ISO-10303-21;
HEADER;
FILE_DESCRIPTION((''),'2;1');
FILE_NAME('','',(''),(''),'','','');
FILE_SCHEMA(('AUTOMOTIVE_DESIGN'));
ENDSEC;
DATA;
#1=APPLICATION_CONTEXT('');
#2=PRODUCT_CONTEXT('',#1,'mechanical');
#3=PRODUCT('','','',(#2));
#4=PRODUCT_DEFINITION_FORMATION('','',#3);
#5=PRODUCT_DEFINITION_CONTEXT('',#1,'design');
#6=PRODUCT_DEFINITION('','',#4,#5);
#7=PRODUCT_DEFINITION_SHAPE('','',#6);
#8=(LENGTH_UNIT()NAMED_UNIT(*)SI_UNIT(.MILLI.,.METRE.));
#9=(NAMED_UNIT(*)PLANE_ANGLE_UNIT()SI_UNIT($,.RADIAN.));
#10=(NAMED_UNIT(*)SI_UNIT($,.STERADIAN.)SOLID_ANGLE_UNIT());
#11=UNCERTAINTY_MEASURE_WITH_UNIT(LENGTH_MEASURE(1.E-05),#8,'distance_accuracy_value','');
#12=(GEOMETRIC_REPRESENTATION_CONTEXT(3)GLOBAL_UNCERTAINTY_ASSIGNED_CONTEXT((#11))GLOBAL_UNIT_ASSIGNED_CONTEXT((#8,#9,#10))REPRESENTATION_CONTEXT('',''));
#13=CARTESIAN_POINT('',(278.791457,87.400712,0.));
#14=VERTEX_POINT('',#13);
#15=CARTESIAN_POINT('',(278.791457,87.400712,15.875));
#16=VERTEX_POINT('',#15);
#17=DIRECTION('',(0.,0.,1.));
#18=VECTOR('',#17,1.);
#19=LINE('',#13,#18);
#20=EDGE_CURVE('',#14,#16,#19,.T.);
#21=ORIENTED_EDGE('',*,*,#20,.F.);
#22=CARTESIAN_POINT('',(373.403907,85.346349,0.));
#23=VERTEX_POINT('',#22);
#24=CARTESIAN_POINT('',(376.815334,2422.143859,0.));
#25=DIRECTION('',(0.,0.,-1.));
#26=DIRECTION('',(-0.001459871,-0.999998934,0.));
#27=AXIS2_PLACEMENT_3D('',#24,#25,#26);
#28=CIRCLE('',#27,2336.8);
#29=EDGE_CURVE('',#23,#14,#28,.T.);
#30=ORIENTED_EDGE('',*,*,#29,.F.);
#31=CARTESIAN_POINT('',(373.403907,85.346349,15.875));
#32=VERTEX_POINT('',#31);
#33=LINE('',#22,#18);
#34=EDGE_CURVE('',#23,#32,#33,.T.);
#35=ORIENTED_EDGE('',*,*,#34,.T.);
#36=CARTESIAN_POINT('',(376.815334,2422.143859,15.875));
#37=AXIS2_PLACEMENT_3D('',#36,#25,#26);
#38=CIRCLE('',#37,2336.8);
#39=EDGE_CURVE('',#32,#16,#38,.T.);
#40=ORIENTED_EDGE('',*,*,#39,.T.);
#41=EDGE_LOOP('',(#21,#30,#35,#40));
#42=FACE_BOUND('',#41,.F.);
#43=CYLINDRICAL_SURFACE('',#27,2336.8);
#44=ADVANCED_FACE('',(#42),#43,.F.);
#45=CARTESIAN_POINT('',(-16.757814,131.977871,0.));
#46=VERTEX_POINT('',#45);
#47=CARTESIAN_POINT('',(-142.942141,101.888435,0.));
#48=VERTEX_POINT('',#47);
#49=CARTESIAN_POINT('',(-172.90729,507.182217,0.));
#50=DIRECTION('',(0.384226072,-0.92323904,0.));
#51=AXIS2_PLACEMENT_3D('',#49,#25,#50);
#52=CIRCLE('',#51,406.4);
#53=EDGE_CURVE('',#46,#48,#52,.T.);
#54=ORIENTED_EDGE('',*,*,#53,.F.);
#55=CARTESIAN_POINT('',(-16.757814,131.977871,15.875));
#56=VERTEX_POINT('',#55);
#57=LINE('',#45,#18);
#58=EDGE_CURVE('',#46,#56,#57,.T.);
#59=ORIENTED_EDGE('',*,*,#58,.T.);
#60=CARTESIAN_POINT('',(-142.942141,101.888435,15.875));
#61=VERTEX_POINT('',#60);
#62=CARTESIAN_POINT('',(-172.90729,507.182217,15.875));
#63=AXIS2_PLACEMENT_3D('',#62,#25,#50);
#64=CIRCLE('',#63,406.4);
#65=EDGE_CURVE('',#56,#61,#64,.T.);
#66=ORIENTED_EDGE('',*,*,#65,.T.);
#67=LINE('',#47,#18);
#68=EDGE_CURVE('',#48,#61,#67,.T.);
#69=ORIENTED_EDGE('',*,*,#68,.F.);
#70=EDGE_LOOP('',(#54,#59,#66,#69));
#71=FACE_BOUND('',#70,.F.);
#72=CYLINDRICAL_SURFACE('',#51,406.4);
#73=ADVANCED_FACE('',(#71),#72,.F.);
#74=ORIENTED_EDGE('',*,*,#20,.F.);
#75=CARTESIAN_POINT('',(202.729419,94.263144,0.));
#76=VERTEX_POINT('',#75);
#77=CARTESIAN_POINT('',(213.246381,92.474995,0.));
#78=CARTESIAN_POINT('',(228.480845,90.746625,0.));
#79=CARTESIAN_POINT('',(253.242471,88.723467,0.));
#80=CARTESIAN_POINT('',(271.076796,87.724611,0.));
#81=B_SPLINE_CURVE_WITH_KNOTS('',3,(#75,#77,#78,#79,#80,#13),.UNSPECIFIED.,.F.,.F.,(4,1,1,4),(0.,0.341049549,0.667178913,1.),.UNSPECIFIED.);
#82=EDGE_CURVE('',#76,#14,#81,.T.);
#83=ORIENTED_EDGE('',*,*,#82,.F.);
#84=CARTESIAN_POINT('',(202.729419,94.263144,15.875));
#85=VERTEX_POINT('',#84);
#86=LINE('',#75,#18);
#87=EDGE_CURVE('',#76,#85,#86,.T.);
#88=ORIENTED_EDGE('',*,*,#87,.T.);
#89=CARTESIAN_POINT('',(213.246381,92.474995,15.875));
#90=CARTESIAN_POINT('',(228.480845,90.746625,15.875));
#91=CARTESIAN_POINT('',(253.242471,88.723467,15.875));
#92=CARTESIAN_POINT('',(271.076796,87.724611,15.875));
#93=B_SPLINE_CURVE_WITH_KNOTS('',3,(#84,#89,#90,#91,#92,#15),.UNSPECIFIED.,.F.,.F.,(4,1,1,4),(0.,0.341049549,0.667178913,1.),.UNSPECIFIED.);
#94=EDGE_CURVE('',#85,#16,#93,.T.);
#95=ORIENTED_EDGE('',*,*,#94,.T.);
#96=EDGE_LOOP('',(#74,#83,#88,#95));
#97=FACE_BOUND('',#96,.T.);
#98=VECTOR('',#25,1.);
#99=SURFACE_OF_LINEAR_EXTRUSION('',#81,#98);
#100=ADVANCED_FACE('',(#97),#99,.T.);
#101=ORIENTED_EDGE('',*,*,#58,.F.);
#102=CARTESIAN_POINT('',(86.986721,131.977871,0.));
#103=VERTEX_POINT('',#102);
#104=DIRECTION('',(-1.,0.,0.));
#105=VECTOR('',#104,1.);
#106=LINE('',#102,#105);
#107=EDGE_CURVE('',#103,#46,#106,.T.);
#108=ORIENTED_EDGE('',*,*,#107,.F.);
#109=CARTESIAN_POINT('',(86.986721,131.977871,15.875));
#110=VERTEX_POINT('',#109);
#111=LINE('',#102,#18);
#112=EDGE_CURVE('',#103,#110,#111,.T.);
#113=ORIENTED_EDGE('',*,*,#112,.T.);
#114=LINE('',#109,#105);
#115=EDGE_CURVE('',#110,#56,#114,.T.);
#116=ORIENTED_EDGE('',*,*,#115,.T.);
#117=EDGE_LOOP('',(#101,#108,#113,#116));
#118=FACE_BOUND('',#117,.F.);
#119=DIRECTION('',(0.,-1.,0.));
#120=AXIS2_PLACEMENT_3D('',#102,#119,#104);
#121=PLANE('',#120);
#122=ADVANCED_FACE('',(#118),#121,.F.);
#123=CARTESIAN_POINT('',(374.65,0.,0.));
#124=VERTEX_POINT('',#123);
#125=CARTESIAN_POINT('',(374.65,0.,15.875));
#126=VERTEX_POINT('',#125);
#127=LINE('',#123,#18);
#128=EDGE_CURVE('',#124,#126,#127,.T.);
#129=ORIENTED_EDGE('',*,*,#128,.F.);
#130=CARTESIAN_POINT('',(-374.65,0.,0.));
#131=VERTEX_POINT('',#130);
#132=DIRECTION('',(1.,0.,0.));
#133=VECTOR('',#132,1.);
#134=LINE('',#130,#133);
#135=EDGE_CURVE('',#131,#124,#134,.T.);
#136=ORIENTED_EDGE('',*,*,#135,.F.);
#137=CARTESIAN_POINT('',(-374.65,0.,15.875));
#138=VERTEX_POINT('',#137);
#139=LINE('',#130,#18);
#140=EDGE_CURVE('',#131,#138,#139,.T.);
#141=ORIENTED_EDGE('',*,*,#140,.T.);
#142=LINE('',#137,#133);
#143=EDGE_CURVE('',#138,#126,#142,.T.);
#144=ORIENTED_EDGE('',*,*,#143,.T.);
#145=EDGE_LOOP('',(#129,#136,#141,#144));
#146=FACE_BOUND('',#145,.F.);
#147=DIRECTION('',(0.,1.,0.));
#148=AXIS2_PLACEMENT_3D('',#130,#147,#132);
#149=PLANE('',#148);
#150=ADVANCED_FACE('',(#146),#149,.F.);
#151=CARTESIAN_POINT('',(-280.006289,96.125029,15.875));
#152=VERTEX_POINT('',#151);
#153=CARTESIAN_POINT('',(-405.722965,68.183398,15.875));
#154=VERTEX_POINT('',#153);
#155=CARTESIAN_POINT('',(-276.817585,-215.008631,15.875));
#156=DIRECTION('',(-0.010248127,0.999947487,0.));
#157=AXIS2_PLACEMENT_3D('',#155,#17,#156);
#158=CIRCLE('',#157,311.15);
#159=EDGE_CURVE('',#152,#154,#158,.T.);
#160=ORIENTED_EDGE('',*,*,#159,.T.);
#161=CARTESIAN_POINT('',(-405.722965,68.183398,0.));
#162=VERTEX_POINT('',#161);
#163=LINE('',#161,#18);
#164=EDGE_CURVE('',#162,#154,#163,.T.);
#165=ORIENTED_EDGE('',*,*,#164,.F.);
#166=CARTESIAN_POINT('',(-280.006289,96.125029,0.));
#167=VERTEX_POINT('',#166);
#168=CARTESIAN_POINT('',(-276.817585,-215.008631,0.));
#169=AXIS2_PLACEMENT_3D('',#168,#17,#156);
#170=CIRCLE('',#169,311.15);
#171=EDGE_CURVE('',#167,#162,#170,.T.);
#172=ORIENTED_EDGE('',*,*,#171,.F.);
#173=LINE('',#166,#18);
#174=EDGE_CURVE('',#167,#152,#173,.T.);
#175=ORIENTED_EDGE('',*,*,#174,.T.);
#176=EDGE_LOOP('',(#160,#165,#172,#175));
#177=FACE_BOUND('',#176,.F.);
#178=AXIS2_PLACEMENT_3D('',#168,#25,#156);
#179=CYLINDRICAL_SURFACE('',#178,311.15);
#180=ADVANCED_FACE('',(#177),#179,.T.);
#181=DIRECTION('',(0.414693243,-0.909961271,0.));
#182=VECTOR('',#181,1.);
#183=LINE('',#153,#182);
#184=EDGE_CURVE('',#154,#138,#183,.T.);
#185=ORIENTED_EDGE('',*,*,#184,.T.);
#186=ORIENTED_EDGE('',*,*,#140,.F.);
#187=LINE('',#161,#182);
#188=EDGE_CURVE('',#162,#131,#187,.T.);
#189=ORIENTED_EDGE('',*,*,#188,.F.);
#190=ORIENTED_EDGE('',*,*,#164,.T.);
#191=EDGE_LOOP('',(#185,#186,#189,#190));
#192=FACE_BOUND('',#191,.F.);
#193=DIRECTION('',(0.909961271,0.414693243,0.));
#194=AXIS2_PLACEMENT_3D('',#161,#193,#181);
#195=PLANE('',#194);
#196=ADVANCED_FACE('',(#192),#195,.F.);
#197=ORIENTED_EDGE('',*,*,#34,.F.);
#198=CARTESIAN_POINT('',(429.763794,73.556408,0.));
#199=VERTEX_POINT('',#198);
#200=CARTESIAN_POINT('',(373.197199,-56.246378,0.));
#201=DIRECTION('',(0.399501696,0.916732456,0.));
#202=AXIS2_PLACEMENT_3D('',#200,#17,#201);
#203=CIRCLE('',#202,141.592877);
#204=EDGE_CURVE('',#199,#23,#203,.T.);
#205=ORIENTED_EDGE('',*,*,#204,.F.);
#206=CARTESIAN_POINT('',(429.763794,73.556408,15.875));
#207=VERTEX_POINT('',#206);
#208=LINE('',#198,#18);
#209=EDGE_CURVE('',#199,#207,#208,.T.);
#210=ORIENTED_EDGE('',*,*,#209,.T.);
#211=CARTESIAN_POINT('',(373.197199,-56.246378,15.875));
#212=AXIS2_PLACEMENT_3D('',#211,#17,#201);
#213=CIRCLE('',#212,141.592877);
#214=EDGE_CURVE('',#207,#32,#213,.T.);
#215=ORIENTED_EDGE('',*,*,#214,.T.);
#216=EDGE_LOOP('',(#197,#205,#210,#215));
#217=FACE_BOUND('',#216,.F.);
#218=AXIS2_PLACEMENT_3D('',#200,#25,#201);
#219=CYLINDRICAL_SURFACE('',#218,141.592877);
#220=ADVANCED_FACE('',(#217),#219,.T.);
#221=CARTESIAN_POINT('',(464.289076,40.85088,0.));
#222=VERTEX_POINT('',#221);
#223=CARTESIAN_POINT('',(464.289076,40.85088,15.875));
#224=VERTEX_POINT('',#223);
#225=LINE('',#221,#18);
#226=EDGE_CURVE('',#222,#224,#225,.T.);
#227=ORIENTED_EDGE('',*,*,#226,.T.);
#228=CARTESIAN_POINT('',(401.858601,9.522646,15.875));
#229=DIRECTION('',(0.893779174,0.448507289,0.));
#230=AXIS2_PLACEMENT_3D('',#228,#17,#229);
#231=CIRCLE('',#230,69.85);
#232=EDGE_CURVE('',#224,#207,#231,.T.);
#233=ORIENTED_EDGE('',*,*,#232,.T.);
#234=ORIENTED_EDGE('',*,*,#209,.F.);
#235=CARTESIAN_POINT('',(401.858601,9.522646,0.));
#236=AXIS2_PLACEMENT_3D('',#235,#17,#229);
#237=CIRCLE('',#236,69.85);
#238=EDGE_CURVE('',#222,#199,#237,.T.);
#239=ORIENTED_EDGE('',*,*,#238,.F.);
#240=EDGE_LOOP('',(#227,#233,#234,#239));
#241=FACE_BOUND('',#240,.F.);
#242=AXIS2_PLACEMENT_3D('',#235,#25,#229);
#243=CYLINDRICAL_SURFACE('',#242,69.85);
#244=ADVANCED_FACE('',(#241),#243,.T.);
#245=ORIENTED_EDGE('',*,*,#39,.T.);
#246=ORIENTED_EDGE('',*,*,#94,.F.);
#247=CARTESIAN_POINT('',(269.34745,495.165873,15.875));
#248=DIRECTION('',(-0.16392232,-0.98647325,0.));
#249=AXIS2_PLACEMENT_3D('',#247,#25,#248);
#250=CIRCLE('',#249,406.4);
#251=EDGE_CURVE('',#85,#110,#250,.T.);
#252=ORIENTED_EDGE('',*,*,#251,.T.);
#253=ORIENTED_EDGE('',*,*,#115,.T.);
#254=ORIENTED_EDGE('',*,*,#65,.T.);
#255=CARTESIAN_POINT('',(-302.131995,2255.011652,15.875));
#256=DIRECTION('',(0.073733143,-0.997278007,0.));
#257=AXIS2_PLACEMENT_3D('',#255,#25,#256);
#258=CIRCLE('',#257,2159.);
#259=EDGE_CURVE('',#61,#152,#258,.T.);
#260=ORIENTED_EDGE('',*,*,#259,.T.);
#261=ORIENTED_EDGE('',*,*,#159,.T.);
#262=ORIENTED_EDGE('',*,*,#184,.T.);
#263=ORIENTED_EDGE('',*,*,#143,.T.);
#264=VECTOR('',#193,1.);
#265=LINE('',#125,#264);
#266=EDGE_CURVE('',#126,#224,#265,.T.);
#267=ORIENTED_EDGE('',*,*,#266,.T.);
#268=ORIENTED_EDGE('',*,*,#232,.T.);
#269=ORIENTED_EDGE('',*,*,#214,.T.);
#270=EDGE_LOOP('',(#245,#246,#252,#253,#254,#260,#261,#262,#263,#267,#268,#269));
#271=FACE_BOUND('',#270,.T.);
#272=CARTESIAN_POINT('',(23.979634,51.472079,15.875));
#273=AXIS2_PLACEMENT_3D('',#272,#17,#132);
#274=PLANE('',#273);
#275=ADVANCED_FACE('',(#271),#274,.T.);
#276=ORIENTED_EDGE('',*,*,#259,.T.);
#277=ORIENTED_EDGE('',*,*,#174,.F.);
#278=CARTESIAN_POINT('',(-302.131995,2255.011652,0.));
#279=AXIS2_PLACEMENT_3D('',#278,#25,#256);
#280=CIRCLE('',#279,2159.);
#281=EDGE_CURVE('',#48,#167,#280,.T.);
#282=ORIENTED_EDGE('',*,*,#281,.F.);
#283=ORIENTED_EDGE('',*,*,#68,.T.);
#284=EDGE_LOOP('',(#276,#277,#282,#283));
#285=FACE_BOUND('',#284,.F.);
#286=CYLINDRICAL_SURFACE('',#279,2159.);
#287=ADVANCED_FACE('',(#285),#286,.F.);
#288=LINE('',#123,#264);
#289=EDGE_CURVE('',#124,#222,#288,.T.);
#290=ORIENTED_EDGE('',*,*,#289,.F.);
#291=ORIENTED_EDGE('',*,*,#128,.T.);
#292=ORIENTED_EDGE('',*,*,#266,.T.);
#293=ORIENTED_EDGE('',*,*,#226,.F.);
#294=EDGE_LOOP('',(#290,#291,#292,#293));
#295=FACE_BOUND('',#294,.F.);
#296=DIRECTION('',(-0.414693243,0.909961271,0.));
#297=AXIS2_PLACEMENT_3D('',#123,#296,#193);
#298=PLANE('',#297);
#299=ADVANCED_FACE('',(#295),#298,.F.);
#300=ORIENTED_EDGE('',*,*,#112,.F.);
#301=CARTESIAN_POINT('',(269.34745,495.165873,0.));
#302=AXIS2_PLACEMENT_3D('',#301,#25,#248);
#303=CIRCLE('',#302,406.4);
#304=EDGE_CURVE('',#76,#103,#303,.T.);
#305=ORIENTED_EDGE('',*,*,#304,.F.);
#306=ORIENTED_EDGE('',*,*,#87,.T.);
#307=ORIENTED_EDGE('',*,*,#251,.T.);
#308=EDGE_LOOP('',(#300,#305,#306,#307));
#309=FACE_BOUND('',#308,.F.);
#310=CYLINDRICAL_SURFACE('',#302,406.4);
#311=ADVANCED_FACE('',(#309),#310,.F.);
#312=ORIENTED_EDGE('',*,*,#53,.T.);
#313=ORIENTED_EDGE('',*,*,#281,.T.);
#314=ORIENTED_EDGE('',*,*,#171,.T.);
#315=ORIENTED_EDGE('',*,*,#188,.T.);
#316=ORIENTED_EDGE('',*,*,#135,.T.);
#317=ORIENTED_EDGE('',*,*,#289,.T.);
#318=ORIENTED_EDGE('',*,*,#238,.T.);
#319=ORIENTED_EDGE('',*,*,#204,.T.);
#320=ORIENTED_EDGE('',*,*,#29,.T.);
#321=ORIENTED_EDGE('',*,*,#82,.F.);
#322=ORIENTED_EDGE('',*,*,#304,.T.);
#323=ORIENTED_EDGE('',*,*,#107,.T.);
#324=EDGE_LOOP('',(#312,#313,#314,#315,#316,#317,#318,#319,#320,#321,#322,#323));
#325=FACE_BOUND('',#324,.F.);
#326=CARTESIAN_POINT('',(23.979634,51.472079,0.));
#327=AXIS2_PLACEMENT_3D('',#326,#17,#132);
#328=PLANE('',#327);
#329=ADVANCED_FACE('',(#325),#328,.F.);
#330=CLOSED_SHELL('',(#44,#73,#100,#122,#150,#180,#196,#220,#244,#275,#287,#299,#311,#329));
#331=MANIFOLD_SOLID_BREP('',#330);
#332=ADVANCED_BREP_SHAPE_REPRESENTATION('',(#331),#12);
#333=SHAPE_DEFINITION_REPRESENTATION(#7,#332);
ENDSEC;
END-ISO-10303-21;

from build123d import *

# Parameters (mm, degrees)
F1_DEPTH = 15.875


with BuildPart() as f1:
    # F0 (on Top) → F1 (new body)
    with BuildSketch(Plane.XY):
        with BuildLine():
            Line((-405.7229646722, 68.1833980268), (-374.65, 0))
            Line((-374.65, 0), (374.65, 0))
            Line((374.65, 0), (464.2890758153, 40.8508803707))
            ThreePointArc((464.2890758153, 40.8508803707), (449.8955253775, 60.2323726334), (429.7637939453, 73.5564082861))
            ThreePointArc((429.7637939453, 73.5564082861), (402.1894850495, 82.3465161995), (373.4039068222, 85.3463485836))
            ThreePointArc((373.4039068222, 85.3463485837), (326.0872814579, 85.8945342918), (278.7914574146, 87.4007120728))
            add(Edge.make_bspline(
                [(202.7294188738, 94.2631438375), (213.246380745, 92.4749947437), (228.4808446175, 90.7466252174), (253.242470606, 88.7234669698), (271.076796222, 87.7246110844), (278.7914574146, 87.4007120728)],
                knots=[0, 0, 0, 0, 0.3410495495, 0.6671789133, 1, 1, 1, 1], degree=3))
            ThreePointArc((202.7294188738, 94.2631438375), (143.4379350037, 108.7622570813), (86.986720562, 131.9778710604))
            Line((86.986720562, 131.9778710604), (-16.7578142136, 131.9778710604))
            ThreePointArc((-16.7578142136, 131.9778710604), (-78.6416708287, 111.865947388), (-142.9421407222, 101.8884349303))
            ThreePointArc((-142.9421407222, 101.8884349303), (-211.4284268901, 97.9178060181), (-280.0062894821, 96.1250290275))
            ThreePointArc((-280.0062894821, 96.1250290275), (-344.3260692988, 88.7296227106), (-405.7229646722, 68.1833980268))
        make_face()
    extrude(amount=F1_DEPTH)


solid = f1.part
